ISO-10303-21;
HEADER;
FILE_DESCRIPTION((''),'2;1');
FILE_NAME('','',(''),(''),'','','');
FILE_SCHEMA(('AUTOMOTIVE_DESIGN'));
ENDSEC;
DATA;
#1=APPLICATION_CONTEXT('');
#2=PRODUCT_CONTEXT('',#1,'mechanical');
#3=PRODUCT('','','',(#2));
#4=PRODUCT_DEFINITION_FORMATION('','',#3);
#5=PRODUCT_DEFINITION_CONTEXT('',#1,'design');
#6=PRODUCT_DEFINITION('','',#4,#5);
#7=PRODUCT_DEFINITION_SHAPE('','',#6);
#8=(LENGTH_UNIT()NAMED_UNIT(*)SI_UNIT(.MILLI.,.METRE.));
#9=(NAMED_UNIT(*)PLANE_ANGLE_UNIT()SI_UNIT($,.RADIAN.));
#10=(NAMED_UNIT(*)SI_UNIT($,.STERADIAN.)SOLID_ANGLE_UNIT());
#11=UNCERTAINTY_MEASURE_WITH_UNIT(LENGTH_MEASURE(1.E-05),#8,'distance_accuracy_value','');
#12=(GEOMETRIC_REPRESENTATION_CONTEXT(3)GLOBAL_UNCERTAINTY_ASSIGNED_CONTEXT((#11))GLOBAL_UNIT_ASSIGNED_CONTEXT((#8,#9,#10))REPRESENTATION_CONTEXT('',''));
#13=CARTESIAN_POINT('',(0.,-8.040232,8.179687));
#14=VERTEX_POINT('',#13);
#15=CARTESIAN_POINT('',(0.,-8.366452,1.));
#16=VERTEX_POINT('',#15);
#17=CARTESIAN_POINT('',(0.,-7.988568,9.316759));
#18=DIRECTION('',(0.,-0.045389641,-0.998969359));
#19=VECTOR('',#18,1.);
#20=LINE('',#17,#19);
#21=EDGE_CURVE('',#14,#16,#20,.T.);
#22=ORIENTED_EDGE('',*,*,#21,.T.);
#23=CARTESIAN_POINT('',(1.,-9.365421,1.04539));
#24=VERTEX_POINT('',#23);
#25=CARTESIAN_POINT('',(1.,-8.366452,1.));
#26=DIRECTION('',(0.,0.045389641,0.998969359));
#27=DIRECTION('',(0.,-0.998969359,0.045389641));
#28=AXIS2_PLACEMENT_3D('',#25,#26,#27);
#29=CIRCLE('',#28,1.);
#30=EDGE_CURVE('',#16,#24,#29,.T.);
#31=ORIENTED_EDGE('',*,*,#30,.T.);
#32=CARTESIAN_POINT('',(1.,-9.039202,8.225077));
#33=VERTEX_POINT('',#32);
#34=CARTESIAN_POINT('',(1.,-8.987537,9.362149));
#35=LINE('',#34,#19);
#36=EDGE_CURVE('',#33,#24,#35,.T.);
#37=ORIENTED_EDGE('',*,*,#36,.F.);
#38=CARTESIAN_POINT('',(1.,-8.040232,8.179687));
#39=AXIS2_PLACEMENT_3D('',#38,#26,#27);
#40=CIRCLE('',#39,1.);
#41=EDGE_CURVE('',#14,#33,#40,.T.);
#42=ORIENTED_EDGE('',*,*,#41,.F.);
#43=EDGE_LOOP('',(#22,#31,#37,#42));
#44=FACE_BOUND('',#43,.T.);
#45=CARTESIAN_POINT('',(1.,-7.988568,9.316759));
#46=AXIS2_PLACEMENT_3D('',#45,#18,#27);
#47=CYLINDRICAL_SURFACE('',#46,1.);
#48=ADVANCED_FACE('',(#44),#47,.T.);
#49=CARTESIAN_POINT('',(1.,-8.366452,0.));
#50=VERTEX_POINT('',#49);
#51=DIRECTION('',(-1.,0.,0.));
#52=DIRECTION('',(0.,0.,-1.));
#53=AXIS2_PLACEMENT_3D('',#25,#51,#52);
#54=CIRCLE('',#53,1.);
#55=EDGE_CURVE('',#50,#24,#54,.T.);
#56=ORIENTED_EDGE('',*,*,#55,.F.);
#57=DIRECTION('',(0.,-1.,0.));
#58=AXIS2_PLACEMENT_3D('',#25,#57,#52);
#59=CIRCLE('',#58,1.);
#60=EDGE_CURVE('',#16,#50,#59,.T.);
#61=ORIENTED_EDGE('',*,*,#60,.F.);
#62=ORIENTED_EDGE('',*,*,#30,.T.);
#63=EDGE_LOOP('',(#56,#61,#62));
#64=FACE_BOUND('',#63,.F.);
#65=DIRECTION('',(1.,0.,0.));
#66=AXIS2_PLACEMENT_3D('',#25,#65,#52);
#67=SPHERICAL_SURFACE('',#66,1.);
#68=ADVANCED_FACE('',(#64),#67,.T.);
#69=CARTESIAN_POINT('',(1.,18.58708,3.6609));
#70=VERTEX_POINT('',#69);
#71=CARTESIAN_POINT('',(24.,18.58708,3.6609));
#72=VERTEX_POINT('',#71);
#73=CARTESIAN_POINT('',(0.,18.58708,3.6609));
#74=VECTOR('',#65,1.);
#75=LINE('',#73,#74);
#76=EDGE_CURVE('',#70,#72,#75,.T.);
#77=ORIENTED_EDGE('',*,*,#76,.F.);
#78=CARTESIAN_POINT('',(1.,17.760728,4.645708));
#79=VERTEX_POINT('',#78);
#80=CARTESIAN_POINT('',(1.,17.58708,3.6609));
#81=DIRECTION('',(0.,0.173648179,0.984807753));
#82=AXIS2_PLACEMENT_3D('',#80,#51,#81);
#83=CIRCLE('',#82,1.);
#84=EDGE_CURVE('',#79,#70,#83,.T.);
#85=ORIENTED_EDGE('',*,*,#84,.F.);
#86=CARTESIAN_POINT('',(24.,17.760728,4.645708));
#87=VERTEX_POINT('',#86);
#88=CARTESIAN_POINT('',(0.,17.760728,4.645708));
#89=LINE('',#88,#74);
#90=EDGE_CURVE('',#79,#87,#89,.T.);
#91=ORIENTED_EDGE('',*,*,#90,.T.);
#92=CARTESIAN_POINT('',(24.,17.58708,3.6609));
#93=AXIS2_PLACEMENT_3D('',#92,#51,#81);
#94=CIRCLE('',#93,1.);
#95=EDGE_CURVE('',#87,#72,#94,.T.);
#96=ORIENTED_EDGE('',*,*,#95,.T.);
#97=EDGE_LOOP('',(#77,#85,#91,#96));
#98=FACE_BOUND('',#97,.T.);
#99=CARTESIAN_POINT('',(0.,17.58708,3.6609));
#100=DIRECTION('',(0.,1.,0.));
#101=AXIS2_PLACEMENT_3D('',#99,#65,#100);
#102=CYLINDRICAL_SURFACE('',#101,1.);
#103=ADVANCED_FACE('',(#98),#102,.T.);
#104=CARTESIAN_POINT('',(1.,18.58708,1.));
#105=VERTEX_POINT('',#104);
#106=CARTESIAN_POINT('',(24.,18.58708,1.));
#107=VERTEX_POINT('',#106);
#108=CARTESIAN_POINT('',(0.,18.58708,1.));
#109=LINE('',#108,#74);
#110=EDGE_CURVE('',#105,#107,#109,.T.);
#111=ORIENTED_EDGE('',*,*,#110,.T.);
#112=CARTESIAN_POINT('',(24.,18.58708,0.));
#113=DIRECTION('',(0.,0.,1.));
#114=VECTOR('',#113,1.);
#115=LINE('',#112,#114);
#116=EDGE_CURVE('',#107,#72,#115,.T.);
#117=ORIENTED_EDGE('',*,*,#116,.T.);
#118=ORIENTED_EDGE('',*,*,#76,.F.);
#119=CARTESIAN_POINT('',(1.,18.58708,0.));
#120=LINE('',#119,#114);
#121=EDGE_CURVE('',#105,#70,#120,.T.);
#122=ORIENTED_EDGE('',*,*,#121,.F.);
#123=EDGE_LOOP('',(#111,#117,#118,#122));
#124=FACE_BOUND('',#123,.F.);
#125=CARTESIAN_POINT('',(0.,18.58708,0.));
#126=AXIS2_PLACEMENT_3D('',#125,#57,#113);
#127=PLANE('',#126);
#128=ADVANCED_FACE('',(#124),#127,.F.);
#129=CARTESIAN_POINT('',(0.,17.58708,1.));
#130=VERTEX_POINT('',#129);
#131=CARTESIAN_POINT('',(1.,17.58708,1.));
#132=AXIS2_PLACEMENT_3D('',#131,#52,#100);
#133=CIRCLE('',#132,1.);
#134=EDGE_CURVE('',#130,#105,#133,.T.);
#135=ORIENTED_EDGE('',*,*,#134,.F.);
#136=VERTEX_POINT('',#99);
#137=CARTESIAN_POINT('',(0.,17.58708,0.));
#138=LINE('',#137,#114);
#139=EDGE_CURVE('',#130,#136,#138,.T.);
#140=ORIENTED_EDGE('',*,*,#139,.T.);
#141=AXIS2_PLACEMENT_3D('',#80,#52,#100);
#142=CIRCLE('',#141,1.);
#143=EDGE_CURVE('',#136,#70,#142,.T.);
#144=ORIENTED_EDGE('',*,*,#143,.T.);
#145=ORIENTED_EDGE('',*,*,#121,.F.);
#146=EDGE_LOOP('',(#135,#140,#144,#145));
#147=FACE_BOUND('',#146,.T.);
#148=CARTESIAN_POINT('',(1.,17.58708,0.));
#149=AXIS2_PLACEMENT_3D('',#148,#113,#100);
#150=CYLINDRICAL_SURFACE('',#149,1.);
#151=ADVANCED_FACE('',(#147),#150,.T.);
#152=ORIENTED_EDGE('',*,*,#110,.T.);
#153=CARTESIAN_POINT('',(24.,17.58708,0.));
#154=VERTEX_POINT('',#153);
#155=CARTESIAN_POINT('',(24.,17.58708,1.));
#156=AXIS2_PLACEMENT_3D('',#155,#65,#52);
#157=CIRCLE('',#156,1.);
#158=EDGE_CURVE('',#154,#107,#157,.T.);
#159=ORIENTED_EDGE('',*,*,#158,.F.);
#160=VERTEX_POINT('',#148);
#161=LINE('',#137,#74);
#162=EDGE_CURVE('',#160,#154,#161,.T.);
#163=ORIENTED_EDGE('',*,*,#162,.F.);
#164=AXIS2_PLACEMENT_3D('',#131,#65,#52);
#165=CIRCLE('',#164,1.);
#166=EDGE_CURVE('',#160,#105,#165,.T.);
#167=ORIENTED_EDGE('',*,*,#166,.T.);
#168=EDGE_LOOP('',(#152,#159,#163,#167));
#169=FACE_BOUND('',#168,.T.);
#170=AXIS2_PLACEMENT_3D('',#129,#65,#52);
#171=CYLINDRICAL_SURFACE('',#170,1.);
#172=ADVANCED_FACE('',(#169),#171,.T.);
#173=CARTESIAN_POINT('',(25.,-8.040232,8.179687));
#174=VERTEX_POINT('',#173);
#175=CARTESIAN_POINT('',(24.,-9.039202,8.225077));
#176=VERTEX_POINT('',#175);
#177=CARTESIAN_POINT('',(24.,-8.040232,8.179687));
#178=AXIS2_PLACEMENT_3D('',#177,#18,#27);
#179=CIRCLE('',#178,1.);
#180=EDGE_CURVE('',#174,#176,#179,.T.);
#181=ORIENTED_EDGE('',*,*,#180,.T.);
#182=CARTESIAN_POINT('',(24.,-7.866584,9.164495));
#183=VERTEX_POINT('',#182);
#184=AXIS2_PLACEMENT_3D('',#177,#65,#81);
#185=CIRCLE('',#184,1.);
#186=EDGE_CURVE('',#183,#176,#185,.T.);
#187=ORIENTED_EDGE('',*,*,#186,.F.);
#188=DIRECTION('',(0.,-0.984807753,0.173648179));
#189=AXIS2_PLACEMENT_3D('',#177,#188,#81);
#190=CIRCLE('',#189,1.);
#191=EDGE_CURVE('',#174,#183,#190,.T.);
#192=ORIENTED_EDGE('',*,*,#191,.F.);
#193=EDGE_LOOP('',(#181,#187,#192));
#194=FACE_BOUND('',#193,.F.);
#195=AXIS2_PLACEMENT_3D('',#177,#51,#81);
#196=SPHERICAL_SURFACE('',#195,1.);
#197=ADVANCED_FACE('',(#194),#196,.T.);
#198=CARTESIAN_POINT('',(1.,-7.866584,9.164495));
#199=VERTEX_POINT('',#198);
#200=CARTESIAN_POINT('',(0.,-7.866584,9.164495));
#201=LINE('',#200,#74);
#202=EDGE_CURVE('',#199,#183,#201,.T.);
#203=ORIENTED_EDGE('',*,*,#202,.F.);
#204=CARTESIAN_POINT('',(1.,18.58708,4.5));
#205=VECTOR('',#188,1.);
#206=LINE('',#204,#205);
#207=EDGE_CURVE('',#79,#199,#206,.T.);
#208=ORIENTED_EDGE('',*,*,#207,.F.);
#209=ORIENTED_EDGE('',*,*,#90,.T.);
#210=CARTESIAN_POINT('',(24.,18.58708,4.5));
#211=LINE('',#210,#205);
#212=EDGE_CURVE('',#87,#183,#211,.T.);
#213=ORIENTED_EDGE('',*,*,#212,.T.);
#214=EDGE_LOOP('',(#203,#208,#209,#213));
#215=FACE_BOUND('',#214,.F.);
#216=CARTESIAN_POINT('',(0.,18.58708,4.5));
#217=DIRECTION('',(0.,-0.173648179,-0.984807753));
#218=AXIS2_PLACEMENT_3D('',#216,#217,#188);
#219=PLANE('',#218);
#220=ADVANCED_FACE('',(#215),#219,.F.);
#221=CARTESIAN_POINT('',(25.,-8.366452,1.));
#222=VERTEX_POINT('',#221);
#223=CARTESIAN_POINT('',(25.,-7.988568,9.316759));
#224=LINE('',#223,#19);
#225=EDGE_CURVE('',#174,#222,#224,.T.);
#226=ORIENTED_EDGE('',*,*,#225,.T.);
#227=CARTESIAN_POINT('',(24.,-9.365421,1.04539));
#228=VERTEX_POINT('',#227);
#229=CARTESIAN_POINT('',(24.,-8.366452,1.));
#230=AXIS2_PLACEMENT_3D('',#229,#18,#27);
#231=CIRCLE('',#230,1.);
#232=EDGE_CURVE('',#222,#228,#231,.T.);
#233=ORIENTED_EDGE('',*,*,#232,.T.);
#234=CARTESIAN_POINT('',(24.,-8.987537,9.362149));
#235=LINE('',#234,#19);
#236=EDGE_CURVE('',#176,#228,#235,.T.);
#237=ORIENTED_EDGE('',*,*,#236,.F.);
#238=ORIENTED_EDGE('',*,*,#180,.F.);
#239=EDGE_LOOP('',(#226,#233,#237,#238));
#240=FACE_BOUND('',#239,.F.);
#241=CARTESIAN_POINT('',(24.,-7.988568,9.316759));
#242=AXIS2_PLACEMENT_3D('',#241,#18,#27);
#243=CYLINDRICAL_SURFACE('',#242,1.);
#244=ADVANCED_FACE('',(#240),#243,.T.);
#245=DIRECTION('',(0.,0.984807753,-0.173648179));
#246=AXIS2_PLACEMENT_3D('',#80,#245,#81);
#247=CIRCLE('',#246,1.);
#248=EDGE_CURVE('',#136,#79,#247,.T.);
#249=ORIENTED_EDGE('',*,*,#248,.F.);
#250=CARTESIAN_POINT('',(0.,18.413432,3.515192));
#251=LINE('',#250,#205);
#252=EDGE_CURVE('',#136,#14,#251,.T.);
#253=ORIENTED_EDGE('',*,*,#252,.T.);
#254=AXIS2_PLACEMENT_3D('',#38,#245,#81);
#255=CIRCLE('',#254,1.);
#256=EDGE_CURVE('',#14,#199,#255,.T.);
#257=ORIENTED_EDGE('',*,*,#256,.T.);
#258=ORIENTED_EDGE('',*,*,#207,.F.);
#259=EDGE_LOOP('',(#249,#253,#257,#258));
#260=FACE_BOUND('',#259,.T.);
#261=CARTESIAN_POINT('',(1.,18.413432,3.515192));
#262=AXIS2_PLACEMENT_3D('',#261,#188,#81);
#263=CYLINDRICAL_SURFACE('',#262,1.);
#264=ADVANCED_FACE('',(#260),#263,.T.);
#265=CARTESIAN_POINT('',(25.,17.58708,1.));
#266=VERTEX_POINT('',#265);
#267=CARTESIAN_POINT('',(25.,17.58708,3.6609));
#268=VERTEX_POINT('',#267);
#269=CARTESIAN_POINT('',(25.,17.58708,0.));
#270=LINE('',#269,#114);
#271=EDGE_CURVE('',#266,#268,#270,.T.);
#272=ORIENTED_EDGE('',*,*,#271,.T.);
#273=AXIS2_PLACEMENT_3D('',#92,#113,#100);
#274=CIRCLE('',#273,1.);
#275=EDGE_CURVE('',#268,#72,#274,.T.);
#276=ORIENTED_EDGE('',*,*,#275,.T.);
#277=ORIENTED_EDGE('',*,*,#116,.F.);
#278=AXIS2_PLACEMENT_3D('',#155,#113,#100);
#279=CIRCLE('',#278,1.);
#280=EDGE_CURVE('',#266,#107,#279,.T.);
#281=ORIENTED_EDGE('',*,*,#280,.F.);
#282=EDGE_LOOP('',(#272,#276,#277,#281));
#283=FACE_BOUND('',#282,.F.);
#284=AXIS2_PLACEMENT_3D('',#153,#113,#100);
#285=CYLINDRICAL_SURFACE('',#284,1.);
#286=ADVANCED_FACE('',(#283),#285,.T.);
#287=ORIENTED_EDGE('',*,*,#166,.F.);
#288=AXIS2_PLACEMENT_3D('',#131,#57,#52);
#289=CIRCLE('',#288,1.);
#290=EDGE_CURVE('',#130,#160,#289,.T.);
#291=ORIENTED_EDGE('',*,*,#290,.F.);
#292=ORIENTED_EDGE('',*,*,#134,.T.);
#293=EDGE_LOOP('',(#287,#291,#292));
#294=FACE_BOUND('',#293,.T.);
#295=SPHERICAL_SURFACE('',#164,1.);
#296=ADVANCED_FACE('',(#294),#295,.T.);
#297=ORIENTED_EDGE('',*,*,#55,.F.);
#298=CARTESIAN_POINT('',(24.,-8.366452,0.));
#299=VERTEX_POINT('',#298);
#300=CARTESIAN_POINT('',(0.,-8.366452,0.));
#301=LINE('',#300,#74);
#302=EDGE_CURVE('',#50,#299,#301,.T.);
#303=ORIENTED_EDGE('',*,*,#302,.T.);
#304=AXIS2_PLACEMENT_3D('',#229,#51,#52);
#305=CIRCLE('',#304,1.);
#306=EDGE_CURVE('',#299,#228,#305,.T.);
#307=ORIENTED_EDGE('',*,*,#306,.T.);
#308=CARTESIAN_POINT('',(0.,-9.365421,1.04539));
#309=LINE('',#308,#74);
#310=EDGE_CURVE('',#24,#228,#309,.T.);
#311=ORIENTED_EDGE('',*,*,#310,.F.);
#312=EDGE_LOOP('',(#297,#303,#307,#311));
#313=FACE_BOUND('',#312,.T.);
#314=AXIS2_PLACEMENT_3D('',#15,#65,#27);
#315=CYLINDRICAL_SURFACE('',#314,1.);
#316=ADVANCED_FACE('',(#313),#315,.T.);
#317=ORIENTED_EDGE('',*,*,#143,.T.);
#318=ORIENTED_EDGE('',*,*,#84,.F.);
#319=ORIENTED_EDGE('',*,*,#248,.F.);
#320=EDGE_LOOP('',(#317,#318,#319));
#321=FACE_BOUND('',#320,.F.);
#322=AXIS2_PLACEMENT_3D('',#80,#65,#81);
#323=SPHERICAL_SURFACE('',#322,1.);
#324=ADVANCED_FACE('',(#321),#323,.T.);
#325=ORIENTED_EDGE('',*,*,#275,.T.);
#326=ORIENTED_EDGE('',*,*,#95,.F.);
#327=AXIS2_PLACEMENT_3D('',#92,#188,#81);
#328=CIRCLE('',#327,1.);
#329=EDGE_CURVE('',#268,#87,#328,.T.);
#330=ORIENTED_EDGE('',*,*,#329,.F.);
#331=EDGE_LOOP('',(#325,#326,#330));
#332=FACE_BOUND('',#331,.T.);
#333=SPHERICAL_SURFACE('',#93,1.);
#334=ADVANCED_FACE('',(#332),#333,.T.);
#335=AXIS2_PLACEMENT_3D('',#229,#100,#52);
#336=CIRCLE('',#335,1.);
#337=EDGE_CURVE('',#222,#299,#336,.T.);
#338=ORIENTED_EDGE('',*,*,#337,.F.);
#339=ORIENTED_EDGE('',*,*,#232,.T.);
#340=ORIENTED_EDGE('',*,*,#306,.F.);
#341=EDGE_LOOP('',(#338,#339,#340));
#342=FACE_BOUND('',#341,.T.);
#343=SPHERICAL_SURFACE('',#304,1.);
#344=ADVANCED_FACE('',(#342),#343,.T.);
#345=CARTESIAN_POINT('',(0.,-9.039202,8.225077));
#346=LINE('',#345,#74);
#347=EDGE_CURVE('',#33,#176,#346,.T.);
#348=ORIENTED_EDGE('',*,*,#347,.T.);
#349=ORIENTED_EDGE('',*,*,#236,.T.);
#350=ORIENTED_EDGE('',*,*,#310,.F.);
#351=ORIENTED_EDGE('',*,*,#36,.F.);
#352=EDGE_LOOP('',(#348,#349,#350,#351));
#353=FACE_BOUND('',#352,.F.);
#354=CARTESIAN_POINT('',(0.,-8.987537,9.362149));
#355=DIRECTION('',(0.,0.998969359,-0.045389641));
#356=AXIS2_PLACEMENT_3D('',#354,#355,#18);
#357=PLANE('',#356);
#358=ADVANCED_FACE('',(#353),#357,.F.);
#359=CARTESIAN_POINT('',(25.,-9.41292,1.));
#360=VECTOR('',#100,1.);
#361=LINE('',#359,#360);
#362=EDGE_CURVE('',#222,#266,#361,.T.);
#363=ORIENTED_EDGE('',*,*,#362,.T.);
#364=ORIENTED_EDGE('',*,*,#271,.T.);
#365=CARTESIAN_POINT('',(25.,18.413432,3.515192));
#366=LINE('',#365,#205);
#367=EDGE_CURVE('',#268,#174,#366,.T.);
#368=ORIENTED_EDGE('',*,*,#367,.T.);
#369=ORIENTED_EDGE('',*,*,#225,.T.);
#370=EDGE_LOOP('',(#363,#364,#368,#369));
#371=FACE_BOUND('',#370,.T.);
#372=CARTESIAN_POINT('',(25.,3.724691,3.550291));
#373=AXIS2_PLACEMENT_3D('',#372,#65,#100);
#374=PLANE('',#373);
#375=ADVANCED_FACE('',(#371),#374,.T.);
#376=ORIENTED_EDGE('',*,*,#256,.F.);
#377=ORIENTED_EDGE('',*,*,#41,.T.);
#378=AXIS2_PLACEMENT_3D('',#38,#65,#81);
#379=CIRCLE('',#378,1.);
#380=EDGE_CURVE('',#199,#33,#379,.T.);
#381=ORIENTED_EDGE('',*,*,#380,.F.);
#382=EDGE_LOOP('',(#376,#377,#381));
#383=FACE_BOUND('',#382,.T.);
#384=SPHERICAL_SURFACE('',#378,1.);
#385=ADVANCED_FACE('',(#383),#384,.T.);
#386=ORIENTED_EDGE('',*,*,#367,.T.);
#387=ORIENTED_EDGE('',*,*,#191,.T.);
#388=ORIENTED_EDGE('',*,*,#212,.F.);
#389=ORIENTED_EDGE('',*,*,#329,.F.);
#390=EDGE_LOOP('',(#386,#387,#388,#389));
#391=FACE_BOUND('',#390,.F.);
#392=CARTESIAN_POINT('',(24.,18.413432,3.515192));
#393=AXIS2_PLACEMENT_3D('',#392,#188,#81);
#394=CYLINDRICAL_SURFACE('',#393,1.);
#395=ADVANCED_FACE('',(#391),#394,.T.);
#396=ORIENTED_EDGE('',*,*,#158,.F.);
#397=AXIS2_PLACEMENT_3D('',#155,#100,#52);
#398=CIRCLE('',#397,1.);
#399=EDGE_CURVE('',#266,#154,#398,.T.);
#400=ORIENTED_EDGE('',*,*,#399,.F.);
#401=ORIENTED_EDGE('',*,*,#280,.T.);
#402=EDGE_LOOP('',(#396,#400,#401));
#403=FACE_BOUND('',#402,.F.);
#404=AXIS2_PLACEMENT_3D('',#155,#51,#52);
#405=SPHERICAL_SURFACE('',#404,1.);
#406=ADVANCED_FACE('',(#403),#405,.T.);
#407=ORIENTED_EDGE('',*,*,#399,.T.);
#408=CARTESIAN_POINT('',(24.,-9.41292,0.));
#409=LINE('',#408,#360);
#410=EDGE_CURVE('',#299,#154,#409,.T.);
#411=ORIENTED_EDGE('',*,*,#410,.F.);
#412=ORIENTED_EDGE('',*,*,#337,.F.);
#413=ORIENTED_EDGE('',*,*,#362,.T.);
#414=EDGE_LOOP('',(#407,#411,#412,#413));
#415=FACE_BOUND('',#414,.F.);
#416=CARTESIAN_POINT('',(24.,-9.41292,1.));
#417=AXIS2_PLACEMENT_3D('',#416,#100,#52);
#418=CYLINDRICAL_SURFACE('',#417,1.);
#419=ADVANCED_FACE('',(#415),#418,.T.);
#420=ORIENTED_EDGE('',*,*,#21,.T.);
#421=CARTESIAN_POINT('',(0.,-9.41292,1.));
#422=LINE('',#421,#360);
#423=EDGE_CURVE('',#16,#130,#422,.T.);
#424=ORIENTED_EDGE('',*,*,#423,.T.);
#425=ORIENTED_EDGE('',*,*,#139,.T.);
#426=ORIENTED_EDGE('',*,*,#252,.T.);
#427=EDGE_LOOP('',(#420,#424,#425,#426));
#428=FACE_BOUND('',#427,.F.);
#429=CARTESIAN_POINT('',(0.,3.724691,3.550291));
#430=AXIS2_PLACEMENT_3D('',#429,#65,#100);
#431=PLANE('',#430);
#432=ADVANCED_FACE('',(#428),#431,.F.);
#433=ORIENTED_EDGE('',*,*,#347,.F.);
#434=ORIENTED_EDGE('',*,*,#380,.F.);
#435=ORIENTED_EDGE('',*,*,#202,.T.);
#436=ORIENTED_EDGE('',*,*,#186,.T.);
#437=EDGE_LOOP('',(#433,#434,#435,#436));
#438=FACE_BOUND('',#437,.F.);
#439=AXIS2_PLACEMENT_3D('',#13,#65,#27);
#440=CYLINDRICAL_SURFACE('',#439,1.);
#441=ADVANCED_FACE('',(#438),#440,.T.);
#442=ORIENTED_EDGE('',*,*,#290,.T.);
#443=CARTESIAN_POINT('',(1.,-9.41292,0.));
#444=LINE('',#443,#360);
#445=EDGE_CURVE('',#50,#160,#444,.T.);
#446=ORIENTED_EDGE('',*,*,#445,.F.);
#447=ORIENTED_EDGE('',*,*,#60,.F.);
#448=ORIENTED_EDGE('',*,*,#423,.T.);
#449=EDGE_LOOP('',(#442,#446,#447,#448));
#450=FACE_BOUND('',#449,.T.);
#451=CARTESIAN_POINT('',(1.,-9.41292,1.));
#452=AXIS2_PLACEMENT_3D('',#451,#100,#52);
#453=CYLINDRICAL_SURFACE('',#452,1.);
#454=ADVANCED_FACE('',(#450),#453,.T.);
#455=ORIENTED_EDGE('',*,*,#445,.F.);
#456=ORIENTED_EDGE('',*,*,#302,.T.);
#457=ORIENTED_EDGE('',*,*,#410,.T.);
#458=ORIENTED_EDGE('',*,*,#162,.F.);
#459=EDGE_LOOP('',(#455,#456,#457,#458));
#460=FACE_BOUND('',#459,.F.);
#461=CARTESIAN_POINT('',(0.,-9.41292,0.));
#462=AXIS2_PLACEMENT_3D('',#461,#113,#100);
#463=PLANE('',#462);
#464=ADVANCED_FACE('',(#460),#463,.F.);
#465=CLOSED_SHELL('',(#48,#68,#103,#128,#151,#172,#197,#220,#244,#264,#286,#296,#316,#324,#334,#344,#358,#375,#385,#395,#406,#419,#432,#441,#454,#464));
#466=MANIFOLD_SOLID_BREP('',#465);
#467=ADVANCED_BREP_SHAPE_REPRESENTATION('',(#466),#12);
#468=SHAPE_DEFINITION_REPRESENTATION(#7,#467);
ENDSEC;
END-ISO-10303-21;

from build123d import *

# Parameters (mm, degrees)
F1_DEPTH = 25
F2_R     = 1


with BuildPart() as f1:
    # F0 (on Right) → F1 (new body)
    with BuildSketch(Plane.YZ):
        Polygon((-8.987537, 9.362149), (-9.41292, 0), (18.58708, 0), (18.58708, 4.5), align=None)
    extrude(amount=F1_DEPTH)

    # F2
    f2_edges = [f1.edges().sort_by_distance(p)[0] for p in [
        (12.5, 18.58708, 4.5),
        (12.5, -8.987537, 9.362149),
        (0, 4.799771, 6.931074),
        (25, 4.799771, 6.931074),
        (12.5, -9.41292, 0),
        (12.5, 18.58708, 0),
        (0, 4.58708, 0),
        (25, 4.58708, 0),
        (25, -9.200229, 4.681074),
        (0, -9.200229, 4.681074),
        (25, 18.58708, 2.25),
        (0, 18.58708, 2.25),
    ]]
    fillet(f2_edges, radius=F2_R)


solid = f1.part
